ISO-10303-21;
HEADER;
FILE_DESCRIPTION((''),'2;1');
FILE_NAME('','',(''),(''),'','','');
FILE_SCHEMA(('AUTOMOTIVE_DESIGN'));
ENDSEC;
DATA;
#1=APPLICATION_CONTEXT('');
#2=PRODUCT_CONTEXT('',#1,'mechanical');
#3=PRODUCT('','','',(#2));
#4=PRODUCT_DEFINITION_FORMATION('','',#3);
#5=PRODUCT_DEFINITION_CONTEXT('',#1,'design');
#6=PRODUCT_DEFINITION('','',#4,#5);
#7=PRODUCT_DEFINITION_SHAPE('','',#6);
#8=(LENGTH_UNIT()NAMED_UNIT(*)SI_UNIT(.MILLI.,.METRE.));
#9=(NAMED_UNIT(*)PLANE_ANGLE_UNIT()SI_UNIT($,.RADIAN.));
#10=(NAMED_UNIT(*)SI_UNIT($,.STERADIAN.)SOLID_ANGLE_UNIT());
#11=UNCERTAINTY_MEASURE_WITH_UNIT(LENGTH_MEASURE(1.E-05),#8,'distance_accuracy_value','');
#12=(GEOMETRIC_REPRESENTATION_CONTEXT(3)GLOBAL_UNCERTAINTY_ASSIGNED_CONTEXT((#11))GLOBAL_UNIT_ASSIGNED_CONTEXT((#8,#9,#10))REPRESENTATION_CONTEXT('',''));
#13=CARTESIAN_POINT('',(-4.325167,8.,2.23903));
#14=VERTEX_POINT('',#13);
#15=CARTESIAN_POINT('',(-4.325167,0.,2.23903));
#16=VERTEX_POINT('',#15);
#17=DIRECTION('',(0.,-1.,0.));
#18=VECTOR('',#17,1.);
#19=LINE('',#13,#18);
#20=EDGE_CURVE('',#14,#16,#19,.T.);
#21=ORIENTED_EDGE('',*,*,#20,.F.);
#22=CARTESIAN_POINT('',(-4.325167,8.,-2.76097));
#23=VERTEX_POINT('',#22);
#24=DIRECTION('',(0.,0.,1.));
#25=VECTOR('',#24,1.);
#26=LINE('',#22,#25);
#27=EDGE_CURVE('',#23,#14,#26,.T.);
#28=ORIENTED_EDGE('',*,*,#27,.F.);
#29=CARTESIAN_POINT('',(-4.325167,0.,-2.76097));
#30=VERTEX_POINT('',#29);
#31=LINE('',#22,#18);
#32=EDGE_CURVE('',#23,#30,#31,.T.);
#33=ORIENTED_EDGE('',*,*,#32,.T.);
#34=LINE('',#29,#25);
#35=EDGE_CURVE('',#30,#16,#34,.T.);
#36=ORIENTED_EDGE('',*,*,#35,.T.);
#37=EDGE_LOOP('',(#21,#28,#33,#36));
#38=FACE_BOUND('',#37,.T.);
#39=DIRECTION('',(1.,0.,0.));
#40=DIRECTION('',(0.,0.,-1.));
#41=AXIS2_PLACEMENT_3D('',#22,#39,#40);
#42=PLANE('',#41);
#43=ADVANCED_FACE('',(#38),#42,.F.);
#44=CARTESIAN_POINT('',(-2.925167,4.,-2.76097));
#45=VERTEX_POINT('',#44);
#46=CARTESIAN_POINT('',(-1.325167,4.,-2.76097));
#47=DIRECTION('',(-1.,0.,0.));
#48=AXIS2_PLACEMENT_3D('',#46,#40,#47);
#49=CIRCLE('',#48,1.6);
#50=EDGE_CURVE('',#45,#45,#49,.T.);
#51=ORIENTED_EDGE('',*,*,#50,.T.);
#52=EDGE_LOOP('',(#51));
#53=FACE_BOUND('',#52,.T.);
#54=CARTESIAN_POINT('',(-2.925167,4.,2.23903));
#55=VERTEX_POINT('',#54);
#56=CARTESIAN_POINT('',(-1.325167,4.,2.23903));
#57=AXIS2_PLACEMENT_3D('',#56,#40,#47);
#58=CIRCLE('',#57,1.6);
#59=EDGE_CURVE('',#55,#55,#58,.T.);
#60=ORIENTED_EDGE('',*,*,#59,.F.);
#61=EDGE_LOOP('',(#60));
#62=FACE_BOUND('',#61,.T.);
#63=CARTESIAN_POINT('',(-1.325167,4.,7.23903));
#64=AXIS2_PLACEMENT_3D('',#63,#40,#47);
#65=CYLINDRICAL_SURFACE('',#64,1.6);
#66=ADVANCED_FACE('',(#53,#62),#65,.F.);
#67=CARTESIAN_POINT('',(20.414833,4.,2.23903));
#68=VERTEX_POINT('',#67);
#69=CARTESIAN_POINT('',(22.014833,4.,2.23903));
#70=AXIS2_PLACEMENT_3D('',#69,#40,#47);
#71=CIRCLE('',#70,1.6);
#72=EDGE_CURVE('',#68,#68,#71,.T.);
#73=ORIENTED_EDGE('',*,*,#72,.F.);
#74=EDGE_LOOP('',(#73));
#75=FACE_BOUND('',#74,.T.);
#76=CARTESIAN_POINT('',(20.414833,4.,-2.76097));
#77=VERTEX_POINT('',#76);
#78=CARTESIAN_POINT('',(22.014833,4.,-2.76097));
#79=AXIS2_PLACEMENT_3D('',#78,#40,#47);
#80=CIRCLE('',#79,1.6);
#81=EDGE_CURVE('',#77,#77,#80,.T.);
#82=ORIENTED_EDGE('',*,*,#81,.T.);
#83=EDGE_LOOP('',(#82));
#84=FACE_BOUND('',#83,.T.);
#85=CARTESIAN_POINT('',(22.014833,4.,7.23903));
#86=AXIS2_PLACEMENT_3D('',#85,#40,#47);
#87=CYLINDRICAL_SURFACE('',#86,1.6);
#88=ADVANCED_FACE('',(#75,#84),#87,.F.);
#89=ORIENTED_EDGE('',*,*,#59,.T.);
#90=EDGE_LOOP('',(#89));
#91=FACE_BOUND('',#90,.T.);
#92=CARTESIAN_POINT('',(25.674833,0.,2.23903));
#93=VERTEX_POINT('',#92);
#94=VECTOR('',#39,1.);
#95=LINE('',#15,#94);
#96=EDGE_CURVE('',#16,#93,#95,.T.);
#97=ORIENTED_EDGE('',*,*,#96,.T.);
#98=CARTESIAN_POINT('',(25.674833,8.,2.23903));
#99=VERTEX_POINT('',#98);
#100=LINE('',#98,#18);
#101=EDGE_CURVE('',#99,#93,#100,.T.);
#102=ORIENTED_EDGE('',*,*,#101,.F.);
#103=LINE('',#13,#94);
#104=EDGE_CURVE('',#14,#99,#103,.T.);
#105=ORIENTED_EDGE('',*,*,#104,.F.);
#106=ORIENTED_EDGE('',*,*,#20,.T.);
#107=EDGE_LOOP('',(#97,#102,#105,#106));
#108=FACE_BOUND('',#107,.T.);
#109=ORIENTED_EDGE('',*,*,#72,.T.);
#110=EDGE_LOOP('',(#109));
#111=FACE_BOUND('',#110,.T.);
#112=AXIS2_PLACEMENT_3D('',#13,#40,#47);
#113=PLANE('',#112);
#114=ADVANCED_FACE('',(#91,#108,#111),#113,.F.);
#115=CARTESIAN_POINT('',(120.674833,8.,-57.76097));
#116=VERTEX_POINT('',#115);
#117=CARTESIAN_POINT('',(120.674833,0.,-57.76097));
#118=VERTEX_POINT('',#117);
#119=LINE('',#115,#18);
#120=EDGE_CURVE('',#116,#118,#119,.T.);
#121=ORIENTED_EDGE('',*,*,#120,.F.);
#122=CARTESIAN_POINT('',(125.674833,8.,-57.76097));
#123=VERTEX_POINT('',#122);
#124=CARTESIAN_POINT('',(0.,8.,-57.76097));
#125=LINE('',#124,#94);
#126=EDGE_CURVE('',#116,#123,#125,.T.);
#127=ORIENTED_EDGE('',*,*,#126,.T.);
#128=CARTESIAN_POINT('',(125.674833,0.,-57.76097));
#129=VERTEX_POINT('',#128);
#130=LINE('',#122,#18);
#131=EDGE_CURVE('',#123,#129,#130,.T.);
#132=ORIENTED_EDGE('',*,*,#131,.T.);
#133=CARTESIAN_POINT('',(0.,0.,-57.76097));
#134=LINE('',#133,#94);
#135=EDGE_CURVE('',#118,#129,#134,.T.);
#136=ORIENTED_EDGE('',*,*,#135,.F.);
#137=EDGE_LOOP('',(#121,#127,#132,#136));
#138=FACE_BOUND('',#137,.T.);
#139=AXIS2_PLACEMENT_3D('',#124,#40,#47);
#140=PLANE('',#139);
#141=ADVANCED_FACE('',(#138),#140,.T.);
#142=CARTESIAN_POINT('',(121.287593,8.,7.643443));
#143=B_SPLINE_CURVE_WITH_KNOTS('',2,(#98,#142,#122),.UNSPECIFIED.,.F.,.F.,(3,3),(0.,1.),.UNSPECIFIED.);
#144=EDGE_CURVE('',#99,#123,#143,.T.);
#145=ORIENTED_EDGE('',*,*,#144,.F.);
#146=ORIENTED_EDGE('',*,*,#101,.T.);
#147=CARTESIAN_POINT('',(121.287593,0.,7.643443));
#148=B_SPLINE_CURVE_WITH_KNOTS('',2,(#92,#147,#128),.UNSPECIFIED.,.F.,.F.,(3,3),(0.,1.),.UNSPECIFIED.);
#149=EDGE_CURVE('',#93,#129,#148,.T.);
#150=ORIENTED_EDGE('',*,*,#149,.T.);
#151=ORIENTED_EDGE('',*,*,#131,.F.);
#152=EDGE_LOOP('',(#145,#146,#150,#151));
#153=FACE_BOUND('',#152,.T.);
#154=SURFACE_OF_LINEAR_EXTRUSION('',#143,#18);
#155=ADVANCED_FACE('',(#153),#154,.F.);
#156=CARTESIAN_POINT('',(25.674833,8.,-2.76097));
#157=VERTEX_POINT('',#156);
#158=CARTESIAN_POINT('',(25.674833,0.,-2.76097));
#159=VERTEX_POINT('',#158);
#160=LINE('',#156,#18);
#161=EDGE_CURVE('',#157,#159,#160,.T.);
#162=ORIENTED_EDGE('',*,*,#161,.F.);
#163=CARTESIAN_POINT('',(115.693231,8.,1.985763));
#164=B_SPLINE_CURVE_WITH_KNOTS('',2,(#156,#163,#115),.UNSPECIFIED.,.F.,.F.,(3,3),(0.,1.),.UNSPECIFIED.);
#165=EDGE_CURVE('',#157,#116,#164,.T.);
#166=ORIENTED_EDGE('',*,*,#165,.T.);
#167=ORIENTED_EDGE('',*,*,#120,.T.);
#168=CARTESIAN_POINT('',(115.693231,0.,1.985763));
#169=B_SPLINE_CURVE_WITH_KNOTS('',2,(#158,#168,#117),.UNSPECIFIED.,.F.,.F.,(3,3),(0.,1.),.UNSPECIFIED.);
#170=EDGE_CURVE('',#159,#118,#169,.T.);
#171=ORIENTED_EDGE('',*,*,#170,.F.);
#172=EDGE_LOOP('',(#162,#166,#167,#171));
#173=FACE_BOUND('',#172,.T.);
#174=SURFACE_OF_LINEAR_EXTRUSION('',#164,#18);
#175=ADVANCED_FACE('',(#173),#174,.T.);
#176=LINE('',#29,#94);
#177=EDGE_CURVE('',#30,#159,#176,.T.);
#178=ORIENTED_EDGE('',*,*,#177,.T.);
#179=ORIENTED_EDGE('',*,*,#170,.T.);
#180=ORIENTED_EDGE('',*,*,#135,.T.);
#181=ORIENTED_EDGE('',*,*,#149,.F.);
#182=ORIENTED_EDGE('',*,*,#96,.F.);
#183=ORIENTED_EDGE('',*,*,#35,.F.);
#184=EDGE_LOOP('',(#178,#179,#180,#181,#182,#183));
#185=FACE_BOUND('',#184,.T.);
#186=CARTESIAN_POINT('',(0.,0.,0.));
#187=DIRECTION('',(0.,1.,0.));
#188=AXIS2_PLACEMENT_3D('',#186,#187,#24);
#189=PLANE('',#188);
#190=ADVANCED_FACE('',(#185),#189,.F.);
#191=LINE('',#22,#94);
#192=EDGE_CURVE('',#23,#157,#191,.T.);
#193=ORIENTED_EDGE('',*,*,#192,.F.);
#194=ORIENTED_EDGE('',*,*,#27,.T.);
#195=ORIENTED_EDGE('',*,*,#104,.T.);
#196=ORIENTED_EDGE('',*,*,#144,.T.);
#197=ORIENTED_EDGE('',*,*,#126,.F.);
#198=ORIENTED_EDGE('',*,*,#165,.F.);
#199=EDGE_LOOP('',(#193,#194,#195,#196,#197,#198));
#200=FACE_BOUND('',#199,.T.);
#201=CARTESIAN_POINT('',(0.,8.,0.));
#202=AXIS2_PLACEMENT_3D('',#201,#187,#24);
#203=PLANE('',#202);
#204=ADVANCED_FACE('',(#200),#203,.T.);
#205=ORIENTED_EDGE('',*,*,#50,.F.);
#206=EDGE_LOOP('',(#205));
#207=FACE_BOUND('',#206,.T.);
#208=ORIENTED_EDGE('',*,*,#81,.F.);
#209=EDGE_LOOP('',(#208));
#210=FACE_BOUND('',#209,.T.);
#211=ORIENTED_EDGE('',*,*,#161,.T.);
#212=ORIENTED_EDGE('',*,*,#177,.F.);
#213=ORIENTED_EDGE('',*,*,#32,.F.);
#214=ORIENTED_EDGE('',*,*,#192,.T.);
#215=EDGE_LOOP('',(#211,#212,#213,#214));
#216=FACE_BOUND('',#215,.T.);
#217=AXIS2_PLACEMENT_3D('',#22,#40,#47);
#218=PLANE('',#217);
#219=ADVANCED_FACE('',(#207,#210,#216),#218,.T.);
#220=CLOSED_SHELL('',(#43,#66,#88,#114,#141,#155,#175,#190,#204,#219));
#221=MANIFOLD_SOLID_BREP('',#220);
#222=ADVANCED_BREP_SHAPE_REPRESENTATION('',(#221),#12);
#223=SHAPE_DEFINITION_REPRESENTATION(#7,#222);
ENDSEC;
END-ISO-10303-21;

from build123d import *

# Parameters (mm, degrees)
EXTRUDE_1_DEPTH     = 8
SKETCH_2_R          = 1.6
CUT_EXTRUDE_1_DEPTH = 10


with BuildPart() as part:
    # Эскиз1 → Бобышка-Вытянуть1 (new body)
    with BuildSketch(Plane(origin=(0, 0, 0), x_dir=(1, 0, 0), z_dir=(0, 1, 0))):
        with BuildLine():
            Line((120.67483279, 57.76097026), (125.67483279, 57.76097026))
            add(Edge.make_bspline(
                [(25.67483279, -2.23902974), (121.28759337, -7.643443061), (125.67483279, 57.76097026)],
                knots=[0, 0, 0, 1, 1, 1], degree=2))
            Line((25.67483279, -2.23902974), (-4.32516721, -2.23902974))
            Line((-4.32516721, -2.23902974), (-4.32516721, 2.76097026))
            Line((-4.32516721, 2.76097026), (25.67483279, 2.76097026))
            add(Edge.make_bspline(
                [(25.67483279, 2.76097026), (115.69323106, -1.985762605), (120.67483279, 57.76097026)],
                knots=[0, 0, 0, 1, 1, 1], degree=2))
        make_face()
    extrude(amount=EXTRUDE_1_DEPTH)

    # Эскиз2 → Вырез-Вытянуть1 (cut)
    with BuildSketch(Plane(origin=(0, 0, -2.76097026), x_dir=(-1, 0, 0), z_dir=(0, 0, -1))):
        with Locations((-22.01483279, 4)):
            Circle(SKETCH_2_R)
        with Locations((1.32516721, 4)):
            Circle(SKETCH_2_R)
    extrude(amount=-CUT_EXTRUDE_1_DEPTH, mode=Mode.SUBTRACT)


solid = part.part
